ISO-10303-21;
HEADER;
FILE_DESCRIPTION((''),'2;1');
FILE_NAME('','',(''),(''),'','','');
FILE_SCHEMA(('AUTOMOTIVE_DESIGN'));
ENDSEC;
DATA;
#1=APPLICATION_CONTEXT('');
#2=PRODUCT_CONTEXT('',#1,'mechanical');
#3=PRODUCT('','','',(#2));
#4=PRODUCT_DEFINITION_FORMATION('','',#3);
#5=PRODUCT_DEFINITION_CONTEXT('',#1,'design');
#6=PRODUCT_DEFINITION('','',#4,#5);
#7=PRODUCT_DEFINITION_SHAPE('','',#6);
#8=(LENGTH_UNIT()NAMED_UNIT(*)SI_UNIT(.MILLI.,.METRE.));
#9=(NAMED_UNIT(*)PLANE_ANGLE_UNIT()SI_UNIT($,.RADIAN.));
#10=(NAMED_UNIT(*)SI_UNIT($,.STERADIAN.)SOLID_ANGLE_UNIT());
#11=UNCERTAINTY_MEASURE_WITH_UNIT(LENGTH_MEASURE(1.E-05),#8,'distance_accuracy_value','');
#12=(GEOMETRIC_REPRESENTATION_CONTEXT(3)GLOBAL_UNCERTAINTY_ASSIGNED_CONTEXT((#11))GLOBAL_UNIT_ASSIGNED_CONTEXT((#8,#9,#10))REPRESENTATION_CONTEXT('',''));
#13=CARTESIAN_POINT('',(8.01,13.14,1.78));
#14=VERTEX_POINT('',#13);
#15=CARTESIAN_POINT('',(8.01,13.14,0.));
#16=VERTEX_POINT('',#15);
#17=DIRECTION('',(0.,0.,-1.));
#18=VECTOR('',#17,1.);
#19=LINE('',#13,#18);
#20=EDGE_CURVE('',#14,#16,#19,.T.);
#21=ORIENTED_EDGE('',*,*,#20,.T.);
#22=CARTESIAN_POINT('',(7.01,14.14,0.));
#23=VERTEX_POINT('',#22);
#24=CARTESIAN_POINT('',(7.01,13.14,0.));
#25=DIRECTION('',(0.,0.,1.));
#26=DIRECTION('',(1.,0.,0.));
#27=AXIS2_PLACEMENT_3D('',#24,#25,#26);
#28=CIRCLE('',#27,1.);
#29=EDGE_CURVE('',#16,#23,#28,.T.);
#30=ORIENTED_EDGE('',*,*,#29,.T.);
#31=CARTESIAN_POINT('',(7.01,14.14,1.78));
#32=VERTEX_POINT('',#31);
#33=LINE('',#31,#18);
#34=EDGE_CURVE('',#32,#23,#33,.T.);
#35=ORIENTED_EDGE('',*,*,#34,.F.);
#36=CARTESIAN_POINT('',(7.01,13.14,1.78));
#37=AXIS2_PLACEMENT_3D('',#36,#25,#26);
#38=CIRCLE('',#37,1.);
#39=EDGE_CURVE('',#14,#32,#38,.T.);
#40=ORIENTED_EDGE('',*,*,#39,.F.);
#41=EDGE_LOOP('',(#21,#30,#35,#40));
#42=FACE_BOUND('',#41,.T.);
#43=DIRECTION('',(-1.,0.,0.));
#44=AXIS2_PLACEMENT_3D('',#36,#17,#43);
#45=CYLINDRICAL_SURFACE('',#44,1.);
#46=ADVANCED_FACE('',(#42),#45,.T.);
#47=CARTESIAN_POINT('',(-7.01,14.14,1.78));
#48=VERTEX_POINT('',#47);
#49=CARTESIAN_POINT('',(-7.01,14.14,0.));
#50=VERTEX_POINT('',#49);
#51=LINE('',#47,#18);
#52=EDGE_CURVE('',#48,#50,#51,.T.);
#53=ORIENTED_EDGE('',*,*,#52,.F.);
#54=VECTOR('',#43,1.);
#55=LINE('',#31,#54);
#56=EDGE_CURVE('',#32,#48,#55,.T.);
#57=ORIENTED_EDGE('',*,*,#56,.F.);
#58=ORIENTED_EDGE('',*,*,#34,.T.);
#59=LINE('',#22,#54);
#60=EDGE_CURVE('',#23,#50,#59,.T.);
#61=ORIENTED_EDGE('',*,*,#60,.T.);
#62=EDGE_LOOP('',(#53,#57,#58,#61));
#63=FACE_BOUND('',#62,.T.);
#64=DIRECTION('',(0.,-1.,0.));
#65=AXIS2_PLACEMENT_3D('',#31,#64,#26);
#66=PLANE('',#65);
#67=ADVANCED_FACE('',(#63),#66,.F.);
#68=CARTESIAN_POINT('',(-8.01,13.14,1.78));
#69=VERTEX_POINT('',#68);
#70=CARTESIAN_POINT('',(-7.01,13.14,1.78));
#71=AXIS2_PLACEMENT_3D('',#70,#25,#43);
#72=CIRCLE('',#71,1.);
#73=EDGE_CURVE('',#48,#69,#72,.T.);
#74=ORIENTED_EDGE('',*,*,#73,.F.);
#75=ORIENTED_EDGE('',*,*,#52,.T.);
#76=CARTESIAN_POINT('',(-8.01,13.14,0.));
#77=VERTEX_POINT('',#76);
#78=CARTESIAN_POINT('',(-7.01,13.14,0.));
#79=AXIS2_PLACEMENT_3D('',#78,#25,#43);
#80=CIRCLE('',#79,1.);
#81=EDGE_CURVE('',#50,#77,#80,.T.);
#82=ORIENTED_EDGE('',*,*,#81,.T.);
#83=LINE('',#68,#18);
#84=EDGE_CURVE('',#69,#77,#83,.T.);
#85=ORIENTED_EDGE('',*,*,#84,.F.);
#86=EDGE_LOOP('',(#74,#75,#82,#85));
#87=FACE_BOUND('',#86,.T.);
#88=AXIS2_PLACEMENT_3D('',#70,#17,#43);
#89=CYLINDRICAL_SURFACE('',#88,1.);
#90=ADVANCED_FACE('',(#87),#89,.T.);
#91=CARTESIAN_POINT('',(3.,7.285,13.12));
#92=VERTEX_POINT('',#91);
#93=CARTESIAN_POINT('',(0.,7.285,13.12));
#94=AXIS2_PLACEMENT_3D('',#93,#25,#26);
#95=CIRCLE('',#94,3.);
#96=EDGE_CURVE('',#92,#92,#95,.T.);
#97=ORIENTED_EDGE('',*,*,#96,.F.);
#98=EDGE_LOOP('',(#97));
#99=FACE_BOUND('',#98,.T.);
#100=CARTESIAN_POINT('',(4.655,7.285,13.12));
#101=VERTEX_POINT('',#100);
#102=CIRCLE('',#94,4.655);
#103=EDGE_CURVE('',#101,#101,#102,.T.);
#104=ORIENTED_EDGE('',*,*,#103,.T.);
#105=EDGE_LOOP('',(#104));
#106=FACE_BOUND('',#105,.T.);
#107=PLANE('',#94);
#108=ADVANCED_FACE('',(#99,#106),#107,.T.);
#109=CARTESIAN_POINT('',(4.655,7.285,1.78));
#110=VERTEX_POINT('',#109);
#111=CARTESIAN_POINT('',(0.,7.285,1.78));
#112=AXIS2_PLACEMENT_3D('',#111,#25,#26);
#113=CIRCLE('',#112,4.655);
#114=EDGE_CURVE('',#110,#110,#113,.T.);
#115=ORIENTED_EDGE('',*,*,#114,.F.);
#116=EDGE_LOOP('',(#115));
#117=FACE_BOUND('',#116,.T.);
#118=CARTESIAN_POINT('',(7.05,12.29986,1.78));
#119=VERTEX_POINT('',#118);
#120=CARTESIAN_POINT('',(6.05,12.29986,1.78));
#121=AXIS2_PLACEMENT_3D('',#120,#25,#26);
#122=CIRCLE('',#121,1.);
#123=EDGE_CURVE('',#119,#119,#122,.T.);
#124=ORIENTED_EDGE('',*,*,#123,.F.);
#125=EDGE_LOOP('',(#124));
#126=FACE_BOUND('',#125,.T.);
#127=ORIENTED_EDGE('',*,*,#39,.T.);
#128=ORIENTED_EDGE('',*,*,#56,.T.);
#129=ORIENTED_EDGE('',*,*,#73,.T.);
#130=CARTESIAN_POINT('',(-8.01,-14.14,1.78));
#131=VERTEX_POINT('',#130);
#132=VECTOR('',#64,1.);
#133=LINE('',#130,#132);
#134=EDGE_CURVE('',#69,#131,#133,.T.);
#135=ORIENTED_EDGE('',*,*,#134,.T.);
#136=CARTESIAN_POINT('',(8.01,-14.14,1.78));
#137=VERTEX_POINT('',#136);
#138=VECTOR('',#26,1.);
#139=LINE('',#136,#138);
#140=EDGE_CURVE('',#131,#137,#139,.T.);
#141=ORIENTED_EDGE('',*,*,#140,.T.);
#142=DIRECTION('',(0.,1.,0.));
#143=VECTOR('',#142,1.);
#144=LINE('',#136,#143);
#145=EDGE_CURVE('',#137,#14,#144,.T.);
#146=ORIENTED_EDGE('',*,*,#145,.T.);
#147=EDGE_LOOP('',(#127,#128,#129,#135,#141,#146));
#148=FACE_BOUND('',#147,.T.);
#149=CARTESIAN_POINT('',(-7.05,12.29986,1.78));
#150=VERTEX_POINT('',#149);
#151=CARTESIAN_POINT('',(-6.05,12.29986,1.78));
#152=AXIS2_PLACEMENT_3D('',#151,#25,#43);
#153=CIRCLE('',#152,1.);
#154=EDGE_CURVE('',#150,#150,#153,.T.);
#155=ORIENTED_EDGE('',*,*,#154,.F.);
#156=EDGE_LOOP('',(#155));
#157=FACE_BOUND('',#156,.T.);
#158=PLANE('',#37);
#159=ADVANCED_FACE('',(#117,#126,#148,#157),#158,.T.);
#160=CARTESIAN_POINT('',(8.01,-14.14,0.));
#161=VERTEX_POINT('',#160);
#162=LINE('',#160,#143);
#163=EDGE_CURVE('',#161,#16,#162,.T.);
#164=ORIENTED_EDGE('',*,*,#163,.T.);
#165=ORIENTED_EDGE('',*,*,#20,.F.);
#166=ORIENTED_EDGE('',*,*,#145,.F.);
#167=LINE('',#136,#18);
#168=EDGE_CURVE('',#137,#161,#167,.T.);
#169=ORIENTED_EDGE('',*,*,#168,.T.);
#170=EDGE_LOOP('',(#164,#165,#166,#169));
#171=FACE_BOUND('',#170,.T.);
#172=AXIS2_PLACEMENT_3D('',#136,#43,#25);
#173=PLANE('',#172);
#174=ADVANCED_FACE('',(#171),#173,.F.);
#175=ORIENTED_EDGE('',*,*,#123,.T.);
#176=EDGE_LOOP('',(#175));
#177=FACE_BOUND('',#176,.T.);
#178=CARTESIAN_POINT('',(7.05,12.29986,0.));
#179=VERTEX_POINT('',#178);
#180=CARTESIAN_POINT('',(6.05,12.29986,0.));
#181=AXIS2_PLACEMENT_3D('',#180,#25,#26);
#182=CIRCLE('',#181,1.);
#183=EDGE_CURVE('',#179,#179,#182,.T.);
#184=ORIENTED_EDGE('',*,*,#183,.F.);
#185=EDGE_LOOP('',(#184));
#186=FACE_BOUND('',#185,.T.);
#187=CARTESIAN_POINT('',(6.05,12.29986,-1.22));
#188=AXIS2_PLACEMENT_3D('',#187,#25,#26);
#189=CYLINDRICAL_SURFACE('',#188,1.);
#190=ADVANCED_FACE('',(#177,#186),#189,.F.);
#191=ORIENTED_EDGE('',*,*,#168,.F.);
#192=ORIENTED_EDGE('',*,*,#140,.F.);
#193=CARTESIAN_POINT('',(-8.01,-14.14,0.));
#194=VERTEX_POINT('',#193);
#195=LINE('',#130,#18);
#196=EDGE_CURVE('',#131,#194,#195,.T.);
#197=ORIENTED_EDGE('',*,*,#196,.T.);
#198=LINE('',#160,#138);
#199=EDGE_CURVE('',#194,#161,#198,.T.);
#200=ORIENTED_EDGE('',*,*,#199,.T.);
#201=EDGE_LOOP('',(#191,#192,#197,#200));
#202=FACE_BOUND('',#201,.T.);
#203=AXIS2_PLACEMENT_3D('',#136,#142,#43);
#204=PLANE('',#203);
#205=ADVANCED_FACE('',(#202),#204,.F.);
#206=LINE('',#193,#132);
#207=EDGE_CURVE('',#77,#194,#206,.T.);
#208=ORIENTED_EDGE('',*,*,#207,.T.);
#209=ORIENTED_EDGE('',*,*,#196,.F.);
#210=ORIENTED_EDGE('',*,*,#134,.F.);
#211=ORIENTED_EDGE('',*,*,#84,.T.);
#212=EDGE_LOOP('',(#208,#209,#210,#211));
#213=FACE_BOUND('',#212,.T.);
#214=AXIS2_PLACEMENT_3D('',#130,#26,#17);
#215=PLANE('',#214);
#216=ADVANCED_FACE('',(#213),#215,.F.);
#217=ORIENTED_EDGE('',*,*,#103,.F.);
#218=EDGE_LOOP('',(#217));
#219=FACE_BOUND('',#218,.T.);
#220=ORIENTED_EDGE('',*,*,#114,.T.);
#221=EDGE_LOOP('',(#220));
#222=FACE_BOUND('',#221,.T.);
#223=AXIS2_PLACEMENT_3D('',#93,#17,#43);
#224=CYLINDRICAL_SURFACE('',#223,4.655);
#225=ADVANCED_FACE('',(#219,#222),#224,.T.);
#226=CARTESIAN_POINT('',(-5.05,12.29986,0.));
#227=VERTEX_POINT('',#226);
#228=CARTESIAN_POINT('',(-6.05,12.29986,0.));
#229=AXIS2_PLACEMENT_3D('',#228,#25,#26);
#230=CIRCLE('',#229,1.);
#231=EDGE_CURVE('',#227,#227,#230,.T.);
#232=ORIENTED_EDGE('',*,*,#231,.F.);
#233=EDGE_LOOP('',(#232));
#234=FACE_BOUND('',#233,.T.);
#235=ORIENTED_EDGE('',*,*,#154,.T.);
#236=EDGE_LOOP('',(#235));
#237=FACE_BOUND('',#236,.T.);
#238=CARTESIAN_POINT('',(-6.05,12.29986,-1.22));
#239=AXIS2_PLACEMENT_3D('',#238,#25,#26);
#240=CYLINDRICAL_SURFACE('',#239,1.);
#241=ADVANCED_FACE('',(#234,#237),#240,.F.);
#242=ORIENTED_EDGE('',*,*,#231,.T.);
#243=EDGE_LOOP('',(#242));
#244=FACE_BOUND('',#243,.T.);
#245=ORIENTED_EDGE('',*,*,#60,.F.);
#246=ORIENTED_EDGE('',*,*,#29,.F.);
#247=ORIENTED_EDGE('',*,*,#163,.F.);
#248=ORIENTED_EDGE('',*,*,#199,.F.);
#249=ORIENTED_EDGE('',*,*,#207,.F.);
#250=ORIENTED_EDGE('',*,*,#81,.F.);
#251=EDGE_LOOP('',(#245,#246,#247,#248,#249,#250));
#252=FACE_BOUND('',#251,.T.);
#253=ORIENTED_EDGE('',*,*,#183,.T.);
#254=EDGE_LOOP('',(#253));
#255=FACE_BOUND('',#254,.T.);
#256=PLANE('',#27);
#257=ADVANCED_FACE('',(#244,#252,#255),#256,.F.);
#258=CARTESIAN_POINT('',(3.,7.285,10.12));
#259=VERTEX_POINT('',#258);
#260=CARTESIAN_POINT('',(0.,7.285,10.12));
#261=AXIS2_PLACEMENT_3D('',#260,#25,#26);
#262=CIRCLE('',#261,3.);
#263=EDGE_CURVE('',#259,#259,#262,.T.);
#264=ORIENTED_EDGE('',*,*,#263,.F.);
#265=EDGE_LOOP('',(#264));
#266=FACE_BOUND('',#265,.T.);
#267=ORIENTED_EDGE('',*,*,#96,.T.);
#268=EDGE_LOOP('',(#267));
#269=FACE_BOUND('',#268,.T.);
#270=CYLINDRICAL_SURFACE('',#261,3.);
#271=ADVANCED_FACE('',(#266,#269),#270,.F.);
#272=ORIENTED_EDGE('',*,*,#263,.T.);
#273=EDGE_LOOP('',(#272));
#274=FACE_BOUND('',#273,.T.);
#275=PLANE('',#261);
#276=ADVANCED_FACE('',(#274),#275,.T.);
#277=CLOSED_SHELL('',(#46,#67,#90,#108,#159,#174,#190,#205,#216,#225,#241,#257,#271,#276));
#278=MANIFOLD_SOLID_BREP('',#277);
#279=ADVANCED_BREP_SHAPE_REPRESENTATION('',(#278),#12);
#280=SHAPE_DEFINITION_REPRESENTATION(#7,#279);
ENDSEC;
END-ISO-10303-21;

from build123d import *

# Parameters (mm, degrees)
BOSS_EXTRUDE1_DEPTH = 1.78
SKETCH2_R           = 4.655
BOSS_EXTRUDE2_DEPTH = 11.34
SKETCH3_R           = 3
CUT_EXTRUDE1_DEPTH  = 3
SKETCH4_R           = 1
CUT_EXTRUDE2_DEPTH  = 3


with BuildPart() as part:
    # Sketch1 → Boss-Extrude1 (new body)
    with BuildSketch(Plane.XY):
        with BuildLine():
            Line((8.01, -14.14), (-8.01, -14.14))
            Line((-8.01, -14.14), (-8.01, 13.14))
            ThreePointArc((-8.01, 13.14), (-7.717106781, 13.847106781), (-7.01, 14.14))
            Line((-7.01, 14.14), (7.01, 14.14))
            ThreePointArc((7.01, 14.14), (7.717106781, 13.847106781), (8.01, 13.14))
            Line((8.01, 13.14), (8.01, -14.14))
        make_face()
    extrude(amount=BOSS_EXTRUDE1_DEPTH)

    # Sketch2 → Boss-Extrude2 (add)
    with BuildSketch(Plane.XY.offset(1.78)):
        with Locations((0, 7.285)):
            Circle(SKETCH2_R)
    extrude(amount=BOSS_EXTRUDE2_DEPTH)

    # Sketch3 → Cut-Extrude1 (cut)
    with BuildSketch(Plane.XY.offset(13.12)):
        with Locations((0, 7.285)):
            Circle(SKETCH3_R)
    extrude(amount=-CUT_EXTRUDE1_DEPTH, mode=Mode.SUBTRACT)

    # Sketch4 → Cut-Extrude2 (cut)
    with BuildSketch(Plane.XY.offset(1.78)):
        with Locations((6.05, 12.299860012)):
            Circle(SKETCH4_R)
        with Locations((-6.05, 12.299860012)):
            Circle(SKETCH4_R)
    extrude(amount=-CUT_EXTRUDE2_DEPTH, mode=Mode.SUBTRACT)


solid = part.part
